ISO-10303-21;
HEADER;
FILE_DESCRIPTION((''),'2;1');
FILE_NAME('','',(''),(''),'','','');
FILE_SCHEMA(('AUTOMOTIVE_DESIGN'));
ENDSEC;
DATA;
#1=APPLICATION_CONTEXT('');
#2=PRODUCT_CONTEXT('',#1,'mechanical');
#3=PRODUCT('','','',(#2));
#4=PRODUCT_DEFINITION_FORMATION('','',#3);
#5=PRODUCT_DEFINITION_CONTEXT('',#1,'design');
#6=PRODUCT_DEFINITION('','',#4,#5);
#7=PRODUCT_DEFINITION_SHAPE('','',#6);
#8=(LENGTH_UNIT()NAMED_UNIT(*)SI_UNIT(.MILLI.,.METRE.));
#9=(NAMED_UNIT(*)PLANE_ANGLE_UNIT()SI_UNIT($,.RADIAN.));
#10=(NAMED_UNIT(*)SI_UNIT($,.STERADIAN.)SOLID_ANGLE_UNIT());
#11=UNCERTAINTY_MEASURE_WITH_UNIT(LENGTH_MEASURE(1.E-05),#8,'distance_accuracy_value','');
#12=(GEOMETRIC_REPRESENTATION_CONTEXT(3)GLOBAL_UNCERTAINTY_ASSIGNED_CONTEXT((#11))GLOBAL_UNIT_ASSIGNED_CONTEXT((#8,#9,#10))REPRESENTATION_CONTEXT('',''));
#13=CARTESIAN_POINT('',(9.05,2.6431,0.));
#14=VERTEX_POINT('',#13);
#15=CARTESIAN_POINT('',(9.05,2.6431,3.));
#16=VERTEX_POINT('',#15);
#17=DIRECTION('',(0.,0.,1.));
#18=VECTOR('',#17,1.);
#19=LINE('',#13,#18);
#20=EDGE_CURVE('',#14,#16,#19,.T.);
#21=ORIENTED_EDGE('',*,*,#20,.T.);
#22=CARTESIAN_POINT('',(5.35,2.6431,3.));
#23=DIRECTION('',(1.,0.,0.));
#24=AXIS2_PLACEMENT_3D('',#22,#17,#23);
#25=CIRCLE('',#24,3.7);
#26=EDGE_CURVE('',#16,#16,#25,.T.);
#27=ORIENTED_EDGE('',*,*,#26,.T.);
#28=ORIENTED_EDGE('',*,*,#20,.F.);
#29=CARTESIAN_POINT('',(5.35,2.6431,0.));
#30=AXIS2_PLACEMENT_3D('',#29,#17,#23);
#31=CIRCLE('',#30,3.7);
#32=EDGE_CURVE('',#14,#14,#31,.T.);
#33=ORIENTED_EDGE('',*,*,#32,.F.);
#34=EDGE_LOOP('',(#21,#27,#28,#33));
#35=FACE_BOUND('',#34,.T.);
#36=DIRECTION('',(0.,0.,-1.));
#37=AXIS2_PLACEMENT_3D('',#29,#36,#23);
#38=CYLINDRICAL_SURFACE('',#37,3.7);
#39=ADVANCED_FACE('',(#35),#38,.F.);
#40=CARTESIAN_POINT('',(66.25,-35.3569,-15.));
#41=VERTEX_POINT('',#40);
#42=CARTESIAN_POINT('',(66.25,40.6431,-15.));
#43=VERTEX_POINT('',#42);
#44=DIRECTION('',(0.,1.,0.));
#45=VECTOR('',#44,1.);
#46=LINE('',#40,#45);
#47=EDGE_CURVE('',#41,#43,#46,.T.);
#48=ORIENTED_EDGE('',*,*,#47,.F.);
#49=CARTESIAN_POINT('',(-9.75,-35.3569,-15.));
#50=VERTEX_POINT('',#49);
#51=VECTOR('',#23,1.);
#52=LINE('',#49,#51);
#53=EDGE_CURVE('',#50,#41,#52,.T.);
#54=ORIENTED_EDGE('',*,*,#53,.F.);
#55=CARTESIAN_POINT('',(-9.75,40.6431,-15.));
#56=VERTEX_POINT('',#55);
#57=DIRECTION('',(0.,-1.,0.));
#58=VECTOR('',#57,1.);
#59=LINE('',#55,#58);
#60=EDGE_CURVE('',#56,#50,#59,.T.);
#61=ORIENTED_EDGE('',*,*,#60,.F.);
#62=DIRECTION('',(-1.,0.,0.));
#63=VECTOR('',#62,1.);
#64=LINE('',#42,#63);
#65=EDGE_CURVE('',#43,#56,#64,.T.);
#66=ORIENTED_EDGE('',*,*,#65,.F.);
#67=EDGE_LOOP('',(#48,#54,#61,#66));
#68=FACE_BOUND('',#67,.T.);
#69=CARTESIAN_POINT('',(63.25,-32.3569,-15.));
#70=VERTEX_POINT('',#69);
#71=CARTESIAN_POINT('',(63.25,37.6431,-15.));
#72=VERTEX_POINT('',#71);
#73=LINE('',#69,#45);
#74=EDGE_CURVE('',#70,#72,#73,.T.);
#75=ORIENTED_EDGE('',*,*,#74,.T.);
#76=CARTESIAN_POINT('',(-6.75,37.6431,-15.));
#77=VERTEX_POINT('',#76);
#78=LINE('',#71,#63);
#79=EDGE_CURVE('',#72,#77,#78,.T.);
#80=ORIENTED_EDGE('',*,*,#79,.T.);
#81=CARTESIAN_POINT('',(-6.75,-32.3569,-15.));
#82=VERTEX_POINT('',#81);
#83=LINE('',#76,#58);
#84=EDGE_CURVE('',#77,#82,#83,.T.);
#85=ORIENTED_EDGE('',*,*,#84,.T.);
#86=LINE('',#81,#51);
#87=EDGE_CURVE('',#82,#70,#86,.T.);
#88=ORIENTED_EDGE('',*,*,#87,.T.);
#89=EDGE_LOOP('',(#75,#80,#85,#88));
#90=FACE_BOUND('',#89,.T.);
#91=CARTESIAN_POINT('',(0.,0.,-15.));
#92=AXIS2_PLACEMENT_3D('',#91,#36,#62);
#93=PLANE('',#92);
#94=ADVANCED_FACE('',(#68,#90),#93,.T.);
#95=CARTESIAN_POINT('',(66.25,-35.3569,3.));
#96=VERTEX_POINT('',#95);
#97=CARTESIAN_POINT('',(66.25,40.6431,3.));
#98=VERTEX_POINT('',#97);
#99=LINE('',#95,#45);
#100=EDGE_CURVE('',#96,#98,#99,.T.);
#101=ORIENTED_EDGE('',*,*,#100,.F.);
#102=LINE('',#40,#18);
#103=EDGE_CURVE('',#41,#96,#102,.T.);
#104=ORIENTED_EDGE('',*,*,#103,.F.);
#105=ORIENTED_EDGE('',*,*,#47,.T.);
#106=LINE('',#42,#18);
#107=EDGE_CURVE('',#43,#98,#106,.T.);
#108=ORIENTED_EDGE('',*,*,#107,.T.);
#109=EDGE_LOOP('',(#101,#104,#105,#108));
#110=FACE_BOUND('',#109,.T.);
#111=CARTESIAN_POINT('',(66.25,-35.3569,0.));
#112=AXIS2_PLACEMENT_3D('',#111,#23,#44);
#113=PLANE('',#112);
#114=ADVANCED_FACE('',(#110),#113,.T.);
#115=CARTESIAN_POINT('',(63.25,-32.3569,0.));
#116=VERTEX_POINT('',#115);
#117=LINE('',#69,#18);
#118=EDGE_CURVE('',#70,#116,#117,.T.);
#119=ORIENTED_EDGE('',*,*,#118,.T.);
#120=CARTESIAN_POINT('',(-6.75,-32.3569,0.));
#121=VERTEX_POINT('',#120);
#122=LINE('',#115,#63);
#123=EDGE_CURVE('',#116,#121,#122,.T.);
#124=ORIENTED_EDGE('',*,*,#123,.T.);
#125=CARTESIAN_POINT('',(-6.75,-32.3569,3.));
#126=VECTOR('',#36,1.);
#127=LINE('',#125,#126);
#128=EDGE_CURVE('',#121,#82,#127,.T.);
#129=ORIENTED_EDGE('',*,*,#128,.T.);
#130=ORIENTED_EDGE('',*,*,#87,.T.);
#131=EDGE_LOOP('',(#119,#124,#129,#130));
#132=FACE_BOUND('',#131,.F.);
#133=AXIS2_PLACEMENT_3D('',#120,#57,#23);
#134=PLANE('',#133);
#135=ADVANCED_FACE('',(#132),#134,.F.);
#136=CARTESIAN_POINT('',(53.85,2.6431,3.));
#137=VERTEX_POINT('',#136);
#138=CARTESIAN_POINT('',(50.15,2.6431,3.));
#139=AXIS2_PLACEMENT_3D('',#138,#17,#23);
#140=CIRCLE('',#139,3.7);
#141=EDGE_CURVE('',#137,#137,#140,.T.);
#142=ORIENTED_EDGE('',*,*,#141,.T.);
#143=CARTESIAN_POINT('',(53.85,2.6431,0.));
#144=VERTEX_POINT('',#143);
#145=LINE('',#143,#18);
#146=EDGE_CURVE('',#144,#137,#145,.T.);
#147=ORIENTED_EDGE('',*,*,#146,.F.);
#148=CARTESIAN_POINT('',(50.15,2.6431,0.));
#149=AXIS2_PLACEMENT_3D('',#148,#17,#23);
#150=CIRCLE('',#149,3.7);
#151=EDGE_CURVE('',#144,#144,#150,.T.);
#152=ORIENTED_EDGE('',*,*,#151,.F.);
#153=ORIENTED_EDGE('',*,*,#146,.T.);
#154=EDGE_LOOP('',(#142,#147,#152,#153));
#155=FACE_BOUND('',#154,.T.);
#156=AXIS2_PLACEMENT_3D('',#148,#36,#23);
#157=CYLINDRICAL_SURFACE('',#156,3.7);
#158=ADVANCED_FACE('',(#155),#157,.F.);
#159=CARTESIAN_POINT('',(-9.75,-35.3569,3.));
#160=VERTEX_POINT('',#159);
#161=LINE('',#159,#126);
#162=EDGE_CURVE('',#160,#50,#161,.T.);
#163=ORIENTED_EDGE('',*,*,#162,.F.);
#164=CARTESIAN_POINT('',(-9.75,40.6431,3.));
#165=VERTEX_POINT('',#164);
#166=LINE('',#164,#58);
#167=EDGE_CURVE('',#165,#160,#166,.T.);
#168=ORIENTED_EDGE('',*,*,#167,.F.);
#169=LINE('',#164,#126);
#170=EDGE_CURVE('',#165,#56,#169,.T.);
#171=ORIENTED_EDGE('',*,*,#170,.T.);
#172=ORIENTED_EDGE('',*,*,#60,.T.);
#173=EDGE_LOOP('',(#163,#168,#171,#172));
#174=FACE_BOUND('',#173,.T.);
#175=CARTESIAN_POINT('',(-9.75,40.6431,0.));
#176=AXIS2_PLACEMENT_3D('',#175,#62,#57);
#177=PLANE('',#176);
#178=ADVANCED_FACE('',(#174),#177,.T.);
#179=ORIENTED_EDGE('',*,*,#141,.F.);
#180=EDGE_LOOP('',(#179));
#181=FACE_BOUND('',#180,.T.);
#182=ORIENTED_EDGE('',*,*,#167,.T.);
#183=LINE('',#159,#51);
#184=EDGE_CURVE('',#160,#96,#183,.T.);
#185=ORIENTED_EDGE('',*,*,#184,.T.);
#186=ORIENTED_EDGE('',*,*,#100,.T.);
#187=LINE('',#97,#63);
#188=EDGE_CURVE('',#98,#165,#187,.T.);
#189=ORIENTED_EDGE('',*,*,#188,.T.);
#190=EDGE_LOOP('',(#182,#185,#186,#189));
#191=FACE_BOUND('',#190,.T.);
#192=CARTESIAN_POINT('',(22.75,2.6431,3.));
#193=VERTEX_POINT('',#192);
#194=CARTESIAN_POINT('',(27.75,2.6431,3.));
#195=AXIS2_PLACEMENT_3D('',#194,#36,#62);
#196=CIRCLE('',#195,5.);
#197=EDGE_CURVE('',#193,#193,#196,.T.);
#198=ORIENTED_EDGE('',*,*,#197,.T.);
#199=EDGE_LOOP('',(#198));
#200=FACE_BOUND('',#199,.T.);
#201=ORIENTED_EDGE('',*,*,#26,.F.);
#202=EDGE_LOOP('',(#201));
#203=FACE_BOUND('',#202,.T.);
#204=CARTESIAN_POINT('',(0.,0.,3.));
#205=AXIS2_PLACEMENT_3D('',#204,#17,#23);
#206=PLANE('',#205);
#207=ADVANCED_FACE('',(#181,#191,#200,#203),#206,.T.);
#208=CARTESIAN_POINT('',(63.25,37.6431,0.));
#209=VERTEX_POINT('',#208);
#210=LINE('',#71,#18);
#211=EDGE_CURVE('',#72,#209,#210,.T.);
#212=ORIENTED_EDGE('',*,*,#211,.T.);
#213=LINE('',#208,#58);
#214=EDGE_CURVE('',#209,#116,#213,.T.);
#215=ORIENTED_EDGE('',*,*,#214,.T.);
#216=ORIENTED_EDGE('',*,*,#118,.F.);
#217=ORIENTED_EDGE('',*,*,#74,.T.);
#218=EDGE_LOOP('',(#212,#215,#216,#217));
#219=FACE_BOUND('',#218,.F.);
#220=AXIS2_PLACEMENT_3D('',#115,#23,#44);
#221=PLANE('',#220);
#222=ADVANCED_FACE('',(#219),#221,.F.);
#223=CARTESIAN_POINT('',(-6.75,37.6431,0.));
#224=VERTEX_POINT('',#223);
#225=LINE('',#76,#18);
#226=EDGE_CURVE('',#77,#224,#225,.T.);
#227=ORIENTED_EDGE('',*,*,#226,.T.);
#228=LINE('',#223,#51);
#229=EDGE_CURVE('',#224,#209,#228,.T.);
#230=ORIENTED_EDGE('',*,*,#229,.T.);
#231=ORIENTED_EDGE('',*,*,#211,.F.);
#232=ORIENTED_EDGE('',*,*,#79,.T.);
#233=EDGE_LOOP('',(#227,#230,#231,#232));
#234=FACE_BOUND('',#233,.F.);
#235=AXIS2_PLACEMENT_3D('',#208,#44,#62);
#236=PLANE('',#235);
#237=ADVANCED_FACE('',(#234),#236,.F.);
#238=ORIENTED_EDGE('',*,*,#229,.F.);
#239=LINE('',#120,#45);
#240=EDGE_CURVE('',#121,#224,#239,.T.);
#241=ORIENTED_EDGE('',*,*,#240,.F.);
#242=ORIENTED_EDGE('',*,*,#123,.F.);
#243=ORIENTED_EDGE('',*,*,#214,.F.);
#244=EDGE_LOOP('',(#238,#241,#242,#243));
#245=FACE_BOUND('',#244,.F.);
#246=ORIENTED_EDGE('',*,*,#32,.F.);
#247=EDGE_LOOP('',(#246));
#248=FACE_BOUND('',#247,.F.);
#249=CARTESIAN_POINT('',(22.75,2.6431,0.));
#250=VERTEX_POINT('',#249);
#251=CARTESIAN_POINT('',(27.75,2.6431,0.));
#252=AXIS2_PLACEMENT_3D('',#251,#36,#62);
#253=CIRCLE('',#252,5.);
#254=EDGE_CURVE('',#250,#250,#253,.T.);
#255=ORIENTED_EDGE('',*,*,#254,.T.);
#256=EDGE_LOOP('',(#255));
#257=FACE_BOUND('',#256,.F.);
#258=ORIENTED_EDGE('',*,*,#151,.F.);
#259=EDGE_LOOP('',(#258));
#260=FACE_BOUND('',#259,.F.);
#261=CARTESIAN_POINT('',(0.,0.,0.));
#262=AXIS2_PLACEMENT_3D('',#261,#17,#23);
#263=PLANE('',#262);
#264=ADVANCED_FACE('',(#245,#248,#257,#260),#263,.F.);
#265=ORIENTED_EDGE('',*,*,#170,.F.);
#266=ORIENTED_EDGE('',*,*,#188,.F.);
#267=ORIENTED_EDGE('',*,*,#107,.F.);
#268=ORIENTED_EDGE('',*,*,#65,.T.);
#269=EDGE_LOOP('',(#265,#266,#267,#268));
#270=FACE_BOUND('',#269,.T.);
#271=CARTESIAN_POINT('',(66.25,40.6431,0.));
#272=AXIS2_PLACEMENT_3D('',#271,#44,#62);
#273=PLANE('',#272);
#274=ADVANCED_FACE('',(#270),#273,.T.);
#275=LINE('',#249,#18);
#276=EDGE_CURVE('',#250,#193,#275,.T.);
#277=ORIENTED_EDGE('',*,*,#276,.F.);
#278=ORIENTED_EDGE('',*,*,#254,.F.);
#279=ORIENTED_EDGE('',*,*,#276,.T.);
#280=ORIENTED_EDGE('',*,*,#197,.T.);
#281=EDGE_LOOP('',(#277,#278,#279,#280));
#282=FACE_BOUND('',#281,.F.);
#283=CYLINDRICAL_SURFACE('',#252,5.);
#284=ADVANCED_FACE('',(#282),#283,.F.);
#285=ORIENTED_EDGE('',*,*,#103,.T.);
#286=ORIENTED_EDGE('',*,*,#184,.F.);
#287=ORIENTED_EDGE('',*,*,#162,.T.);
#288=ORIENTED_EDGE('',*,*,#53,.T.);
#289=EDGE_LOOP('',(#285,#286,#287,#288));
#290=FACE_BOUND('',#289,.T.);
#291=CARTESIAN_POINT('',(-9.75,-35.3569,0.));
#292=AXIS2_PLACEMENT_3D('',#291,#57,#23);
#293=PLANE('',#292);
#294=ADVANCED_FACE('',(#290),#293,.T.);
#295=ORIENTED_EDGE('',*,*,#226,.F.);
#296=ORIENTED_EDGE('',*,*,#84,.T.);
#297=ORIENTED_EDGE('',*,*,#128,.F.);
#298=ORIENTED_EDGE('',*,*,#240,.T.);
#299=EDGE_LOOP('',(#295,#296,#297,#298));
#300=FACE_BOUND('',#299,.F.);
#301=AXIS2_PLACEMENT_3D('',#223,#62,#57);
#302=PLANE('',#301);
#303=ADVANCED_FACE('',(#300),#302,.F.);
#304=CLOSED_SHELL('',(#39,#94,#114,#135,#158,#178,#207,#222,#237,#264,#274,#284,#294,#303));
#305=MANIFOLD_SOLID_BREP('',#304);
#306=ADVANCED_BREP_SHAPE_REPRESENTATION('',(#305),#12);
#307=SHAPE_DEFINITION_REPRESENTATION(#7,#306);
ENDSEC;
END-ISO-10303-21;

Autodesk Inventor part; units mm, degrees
ref_plane "YZ Plane" through (0, 0, 0) normal (1, 0, 0) x (0, 1, 0)
ref_plane "XZ Plane" through (0, 0, 0) normal (0, 1, 0) x (-1, 0, 0)
ref_plane "XY Plane" through (0, 0, 0) normal (0, 0, 1) x (1, 0, 0)
sketch "Boceto1" plane through (0, 0, 0) normal (0, 0, 1) x (1, 0, 0)
  arc A0 (-1.75, 0) -> (-0.6468, -1.6261) centre (0, 0) ccw projected
  line L0 (-1.75, 0) -> (-1.75, 5.2862) projected
  arc A1 (-0.6468, 6.9123) -> (-1.75, 5.2862) centre (0, 5.2862) ccw projected
  line L1 (-0.6468, 6.9123) -> (12.6254, 12.1912) projected
  arc A2 (12.6254, 12.1912) -> (13.6116, 12.956) centre (11.7938, 14.2819) ccw projected
  arc A3 (41.8884, 12.956) -> (13.6116, 12.956) centre (27.75, 2.6431) ccw projected
  arc A4 (41.8884, 12.956) -> (42.8746, 12.1912) centre (43.7062, 14.2819) ccw projected
  line L2 (42.8746, 12.1912) -> (56.1468, 6.9123) projected
  arc A5 (57.25, 5.2862) -> (56.1468, 6.9123) centre (55.5, 5.2862) ccw projected
  line L3 (57.25, 5.2862) -> (57.25, 0) projected
  arc A6 (56.1468, -1.6261) -> (57.25, 0) centre (55.5, 0) ccw projected
  line L4 (56.1468, -1.6261) -> (42.8746, -6.905) projected
  arc A7 (42.8746, -6.905) -> (41.8884, -7.6698) centre (43.7062, -8.9957) ccw projected
  arc A8 (13.6116, -7.6698) -> (41.8884, -7.6698) centre (27.75, 2.6431) ccw projected
  arc A9 (13.6116, -7.6698) -> (12.6254, -6.905) centre (11.7938, -8.9957) ccw projected
  line L5 (12.6254, -6.905) -> (-0.6468, -1.6261) projected
  circle A10 centre (50.15, 2.6431) radius 3.7 projected
  circle A11 centre (5.35, 2.6431) radius 3.7 projected
  arc A12 (44.3063, 7.4106) -> (11.1937, 7.4106) centre (27.75, 2.6431) ccw projected
  arc A13 (11.1937, 7.4106) -> (11.3578, 5.7658) centre (13.3357, 6.7938) ccw projected
  arc A14 (11.3578, -0.4796) -> (11.3578, 5.7658) centre (5.35, 2.6431) ccw projected
  arc A15 (11.3578, -0.4796) -> (11.1937, -2.1244) centre (13.3357, -1.5076) ccw projected
  arc A16 (11.1937, -2.1244) -> (44.3063, -2.1244) centre (27.75, 2.6431) ccw projected
  arc A17 (44.3063, -2.1244) -> (44.1422, -0.4796) centre (42.1643, -1.5076) ccw projected
  arc A18 (44.1422, 5.7658) -> (44.1422, -0.4796) centre (50.15, 2.6431) ccw projected
  arc A19 (44.1422, 5.7658) -> (44.3063, 7.4106) centre (42.1643, 6.7938) ccw projected
  line L6 (-6.75, 37.6431) -> (63.25, 37.6431)
  line L7 (63.25, 37.6431) -> (63.25, -32.3569)
  line L8 (63.25, -32.3569) -> (-6.75, -32.3569)
  line L9 (-6.75, -32.3569) -> (-6.75, 37.6431)
  line L10 (-6.75, 2.6431) -> (63.25, 2.6431) construction
  point P0 (-1.75, 2.6431)
  dimension "d0" = 70
  dimension "d1" = 70
  dimension "d16" = 35
extrude "Extrusión1" add sketch "Boceto1" along normal blind 3 contours L0 A1 L1 A2 A3 A4 L2 A5 L3 A6 L4 A7 A8 A9 L5 A0 | A19 A18 A17 A16 A15 A14 A13 A12 | L6 L7 L8 L9
sketch "Boceto2" plane through (0, 0, 0) normal (0, 0, -1) x (-1, 0, 0)
  circle A0 centre (-27.75, 2.6431) radius 5 projected
  line L0 (6.75, -32.3569) -> (-63.25, -32.3569) projected
  line L1 (6.75, 37.6431) -> (6.75, -32.3569) projected
  line L2 (-63.25, 37.6431) -> (6.75, 37.6431) projected
  line L3 (-63.25, -32.3569) -> (-63.25, 37.6431) projected
  circle A1 centre (-5.35, 2.6431) radius 3.7 projected
  circle A2 centre (-50.15, 2.6431) radius 3.7 projected
  line L4 (-66.25, -35.3569) -> (9.75, -35.3569)
  line L5 (9.75, -35.3569) -> (9.75, 40.6431)
  line L6 (9.75, 40.6431) -> (-66.25, 40.6431)
  line L7 (-66.25, 40.6431) -> (-66.25, -35.3569)
  point P0 (0, 0)
  dimension "d6" = 3
extrude "Extrusión2" cut sketch "Boceto2" against normal through all contours A0
sketch "Boceto4" plane through (0, 0, 0) normal (0, 0, -1) x (-1, 0, 0)
  circle A0 centre (-27.75, 2.6431) radius 5 projected
  line L0 (6.75, -32.3569) -> (-63.25, -32.3569) projected
  line L1 (6.75, 37.6431) -> (6.75, -32.3569) projected
  line L2 (-63.25, 37.6431) -> (6.75, 37.6431) projected
  line L3 (-63.25, -32.3569) -> (-63.25, 37.6431) projected
  circle A1 centre (-5.35, 2.6431) radius 3.7 projected
  circle A2 centre (-50.15, 2.6431) radius 3.7 projected
  line L4 (9.75, -35.3569) -> (-66.25, -35.3569)
  line L5 (-66.25, -35.3569) -> (-66.25, 40.6431)
  line L6 (-66.25, 40.6431) -> (9.75, 40.6431)
  line L7 (9.75, 40.6431) -> (9.75, -35.3569)
  point P0 (0, 0)
  dimension "d9" = 3
extrude "Extrusión3" add sketch "Boceto4" along normal blind 15 and the other way blind 3 contours L4 L5 L6 L7
properties part number "estructura_sensor_chumacera"
